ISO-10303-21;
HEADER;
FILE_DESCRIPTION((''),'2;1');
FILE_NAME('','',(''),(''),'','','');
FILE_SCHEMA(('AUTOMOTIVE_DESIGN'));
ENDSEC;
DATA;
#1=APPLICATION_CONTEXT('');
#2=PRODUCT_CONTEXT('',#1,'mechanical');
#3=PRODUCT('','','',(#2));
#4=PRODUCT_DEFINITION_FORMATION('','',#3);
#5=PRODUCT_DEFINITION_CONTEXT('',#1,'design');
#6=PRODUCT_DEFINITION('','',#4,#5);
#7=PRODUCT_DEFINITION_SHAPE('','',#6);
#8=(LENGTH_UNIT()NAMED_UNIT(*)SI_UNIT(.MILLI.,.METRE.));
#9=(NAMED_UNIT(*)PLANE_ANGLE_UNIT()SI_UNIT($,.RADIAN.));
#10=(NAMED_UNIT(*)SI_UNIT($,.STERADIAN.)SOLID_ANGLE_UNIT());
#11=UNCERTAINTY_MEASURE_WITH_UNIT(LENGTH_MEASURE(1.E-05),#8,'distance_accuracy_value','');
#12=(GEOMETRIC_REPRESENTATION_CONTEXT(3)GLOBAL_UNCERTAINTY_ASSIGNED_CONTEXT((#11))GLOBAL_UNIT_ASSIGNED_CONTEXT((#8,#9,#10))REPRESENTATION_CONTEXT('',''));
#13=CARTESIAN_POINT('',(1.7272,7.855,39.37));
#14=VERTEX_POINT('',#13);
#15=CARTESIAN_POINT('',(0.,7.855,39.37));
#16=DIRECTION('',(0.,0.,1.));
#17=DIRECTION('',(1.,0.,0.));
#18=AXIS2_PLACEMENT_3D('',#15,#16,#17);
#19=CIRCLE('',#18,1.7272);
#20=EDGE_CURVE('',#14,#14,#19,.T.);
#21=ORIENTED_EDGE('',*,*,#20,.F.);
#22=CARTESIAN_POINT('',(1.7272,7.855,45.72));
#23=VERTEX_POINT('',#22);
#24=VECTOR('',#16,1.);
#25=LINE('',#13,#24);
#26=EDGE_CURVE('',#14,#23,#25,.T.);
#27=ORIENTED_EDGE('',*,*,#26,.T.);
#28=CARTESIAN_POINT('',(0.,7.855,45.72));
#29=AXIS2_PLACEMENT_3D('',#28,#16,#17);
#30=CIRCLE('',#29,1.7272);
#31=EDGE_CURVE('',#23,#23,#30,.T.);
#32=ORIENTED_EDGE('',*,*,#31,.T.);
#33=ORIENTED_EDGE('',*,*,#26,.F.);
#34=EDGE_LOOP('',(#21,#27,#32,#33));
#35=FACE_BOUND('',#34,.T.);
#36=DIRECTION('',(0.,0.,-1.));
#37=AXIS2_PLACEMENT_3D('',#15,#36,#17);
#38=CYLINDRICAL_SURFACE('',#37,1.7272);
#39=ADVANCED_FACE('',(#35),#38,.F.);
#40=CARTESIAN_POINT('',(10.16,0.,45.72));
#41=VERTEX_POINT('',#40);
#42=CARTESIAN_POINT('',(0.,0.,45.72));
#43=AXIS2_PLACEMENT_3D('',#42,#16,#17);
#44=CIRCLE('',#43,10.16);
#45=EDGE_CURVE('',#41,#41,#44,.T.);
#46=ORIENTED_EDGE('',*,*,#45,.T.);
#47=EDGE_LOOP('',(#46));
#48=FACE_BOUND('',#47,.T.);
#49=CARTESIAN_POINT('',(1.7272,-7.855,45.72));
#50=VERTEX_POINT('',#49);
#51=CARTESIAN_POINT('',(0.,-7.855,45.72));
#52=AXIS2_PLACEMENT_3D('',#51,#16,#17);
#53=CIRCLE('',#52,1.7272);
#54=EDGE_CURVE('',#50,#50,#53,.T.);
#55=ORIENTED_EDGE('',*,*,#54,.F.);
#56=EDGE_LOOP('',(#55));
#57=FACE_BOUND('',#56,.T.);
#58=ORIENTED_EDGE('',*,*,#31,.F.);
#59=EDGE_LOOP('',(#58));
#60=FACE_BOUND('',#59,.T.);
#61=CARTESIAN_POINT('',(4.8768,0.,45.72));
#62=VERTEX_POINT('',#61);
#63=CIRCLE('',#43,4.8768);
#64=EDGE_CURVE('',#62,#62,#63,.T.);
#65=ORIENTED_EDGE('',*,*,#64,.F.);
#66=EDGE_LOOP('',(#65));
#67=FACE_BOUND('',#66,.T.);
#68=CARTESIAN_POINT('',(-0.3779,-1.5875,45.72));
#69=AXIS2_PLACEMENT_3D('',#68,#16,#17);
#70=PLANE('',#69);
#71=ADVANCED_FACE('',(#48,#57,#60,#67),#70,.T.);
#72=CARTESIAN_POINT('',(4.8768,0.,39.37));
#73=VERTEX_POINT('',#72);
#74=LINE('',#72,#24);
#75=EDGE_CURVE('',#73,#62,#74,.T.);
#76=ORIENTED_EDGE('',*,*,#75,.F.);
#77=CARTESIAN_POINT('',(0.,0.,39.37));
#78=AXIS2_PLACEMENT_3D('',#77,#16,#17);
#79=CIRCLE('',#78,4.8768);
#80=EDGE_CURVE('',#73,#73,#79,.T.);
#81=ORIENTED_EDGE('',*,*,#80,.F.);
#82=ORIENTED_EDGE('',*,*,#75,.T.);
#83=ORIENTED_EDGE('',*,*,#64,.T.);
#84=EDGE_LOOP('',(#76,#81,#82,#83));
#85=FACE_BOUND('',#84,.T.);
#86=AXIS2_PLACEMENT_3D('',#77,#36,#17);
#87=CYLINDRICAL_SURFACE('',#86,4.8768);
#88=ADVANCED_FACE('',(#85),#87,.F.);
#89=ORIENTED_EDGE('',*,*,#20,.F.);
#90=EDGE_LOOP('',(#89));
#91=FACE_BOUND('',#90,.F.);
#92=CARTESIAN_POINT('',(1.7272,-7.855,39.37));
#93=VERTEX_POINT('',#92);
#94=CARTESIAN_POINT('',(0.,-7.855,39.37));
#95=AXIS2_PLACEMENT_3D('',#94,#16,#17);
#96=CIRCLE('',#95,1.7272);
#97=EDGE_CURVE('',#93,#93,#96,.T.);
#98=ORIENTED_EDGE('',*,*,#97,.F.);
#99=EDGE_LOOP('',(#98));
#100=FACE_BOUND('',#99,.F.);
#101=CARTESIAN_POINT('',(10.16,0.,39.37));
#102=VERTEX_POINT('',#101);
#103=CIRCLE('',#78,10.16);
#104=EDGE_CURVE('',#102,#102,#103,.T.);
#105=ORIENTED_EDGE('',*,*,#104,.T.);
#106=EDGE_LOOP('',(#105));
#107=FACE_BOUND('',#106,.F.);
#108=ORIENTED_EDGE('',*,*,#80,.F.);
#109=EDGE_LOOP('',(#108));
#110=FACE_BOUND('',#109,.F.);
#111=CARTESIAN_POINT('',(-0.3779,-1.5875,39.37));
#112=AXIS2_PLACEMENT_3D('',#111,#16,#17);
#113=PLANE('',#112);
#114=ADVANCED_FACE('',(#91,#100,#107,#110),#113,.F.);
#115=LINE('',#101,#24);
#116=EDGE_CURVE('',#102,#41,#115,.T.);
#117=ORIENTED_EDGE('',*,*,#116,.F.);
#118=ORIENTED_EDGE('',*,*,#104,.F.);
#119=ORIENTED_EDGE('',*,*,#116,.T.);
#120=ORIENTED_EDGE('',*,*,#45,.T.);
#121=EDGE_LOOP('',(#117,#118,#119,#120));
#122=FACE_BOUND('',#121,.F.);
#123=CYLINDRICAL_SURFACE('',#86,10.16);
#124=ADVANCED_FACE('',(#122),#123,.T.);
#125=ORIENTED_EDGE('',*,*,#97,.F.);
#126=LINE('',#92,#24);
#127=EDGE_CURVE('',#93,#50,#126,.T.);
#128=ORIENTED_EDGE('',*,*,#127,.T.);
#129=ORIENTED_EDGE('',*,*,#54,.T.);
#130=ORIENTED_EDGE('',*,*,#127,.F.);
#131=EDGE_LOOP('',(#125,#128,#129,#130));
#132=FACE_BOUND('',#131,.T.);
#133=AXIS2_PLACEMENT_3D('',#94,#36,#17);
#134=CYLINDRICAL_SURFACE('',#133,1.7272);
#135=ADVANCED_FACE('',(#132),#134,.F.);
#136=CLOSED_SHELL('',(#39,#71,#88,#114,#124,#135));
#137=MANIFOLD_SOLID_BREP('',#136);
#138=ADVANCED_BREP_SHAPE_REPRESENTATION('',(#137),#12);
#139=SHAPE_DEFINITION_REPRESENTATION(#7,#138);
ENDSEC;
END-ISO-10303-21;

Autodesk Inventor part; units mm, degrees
ref_plane "YZ Plane" through (0, 0, 0) normal (1, 0, 0) x (0, 1, 0)
ref_plane "XZ Plane" through (0, 0, 0) normal (0, 1, 0) x (-1, 0, 0)
ref_plane "Work Plane2" through (-0.3779, -1.5875, 39.37) normal (0, 0, 1) x (1, 0, 0)
sketch "Sketch3" plane through (-0.3779, -1.5875, 39.37) normal (0, 0, 1) x (1, 0, 0)
  circle A0 centre (0.3779, 1.5875) radius 10.16
  circle A1 centre (0.3779, 9.4425) radius 1.7272
  circle A2 centre (0.3779, -6.2675) radius 1.7272
  circle A3 centre (0.3779, 1.5875) radius 4.8768
  dimension "d9" = 20.32
  dimension "d10" = 3.4544
  dimension "d11" = 3.4544
  dimension "d12" = 15.7099
  dimension "d13" = 7.8549
  dimension "d14" = 9.7536
  dimension "d16" = 0
  dimension "d26" = 7.8549
extrude "Extrusion2" add sketch "Sketch3" along normal blind 6.35
sketch "Sketch4" plane through (0, 0, 39.37) normal (0, 0, -1) x (-1, 0, 0)
  circle A0 centre (0, 0) radius 5.715
  dimension "d27" = 11.43
extrude "Extrusion4" [suppressed]
sketch "Sketch5" plane through (0, 0, 37.7698) normal (0, 0, -1) x (-1, 0, 0)
  line L0 (1.5875, -1.5875) -> (-1.5875, -1.5875)
  line L1 (-1.5875, -1.5875) -> (-1.5875, 1.5875)
  line L2 (-1.5875, 1.5875) -> (1.5875, 1.5875)
  line L3 (1.5875, 1.5875) -> (1.5875, -1.5875)
  point P0 (0, 0)
  dimension "d30" = 1.5875
  dimension "d31" = 1.5875
  dimension "d32" = 3.175
  dimension "d33" = 3.175
extrude "Extrusion5" [suppressed]
equation "\"d13\" = 0.5 * d12"
equation "\"d26\" = d13"
equation "\"d31\" = d30"
equation "\"d33\" = d32"
properties part number "shaft adapter"
